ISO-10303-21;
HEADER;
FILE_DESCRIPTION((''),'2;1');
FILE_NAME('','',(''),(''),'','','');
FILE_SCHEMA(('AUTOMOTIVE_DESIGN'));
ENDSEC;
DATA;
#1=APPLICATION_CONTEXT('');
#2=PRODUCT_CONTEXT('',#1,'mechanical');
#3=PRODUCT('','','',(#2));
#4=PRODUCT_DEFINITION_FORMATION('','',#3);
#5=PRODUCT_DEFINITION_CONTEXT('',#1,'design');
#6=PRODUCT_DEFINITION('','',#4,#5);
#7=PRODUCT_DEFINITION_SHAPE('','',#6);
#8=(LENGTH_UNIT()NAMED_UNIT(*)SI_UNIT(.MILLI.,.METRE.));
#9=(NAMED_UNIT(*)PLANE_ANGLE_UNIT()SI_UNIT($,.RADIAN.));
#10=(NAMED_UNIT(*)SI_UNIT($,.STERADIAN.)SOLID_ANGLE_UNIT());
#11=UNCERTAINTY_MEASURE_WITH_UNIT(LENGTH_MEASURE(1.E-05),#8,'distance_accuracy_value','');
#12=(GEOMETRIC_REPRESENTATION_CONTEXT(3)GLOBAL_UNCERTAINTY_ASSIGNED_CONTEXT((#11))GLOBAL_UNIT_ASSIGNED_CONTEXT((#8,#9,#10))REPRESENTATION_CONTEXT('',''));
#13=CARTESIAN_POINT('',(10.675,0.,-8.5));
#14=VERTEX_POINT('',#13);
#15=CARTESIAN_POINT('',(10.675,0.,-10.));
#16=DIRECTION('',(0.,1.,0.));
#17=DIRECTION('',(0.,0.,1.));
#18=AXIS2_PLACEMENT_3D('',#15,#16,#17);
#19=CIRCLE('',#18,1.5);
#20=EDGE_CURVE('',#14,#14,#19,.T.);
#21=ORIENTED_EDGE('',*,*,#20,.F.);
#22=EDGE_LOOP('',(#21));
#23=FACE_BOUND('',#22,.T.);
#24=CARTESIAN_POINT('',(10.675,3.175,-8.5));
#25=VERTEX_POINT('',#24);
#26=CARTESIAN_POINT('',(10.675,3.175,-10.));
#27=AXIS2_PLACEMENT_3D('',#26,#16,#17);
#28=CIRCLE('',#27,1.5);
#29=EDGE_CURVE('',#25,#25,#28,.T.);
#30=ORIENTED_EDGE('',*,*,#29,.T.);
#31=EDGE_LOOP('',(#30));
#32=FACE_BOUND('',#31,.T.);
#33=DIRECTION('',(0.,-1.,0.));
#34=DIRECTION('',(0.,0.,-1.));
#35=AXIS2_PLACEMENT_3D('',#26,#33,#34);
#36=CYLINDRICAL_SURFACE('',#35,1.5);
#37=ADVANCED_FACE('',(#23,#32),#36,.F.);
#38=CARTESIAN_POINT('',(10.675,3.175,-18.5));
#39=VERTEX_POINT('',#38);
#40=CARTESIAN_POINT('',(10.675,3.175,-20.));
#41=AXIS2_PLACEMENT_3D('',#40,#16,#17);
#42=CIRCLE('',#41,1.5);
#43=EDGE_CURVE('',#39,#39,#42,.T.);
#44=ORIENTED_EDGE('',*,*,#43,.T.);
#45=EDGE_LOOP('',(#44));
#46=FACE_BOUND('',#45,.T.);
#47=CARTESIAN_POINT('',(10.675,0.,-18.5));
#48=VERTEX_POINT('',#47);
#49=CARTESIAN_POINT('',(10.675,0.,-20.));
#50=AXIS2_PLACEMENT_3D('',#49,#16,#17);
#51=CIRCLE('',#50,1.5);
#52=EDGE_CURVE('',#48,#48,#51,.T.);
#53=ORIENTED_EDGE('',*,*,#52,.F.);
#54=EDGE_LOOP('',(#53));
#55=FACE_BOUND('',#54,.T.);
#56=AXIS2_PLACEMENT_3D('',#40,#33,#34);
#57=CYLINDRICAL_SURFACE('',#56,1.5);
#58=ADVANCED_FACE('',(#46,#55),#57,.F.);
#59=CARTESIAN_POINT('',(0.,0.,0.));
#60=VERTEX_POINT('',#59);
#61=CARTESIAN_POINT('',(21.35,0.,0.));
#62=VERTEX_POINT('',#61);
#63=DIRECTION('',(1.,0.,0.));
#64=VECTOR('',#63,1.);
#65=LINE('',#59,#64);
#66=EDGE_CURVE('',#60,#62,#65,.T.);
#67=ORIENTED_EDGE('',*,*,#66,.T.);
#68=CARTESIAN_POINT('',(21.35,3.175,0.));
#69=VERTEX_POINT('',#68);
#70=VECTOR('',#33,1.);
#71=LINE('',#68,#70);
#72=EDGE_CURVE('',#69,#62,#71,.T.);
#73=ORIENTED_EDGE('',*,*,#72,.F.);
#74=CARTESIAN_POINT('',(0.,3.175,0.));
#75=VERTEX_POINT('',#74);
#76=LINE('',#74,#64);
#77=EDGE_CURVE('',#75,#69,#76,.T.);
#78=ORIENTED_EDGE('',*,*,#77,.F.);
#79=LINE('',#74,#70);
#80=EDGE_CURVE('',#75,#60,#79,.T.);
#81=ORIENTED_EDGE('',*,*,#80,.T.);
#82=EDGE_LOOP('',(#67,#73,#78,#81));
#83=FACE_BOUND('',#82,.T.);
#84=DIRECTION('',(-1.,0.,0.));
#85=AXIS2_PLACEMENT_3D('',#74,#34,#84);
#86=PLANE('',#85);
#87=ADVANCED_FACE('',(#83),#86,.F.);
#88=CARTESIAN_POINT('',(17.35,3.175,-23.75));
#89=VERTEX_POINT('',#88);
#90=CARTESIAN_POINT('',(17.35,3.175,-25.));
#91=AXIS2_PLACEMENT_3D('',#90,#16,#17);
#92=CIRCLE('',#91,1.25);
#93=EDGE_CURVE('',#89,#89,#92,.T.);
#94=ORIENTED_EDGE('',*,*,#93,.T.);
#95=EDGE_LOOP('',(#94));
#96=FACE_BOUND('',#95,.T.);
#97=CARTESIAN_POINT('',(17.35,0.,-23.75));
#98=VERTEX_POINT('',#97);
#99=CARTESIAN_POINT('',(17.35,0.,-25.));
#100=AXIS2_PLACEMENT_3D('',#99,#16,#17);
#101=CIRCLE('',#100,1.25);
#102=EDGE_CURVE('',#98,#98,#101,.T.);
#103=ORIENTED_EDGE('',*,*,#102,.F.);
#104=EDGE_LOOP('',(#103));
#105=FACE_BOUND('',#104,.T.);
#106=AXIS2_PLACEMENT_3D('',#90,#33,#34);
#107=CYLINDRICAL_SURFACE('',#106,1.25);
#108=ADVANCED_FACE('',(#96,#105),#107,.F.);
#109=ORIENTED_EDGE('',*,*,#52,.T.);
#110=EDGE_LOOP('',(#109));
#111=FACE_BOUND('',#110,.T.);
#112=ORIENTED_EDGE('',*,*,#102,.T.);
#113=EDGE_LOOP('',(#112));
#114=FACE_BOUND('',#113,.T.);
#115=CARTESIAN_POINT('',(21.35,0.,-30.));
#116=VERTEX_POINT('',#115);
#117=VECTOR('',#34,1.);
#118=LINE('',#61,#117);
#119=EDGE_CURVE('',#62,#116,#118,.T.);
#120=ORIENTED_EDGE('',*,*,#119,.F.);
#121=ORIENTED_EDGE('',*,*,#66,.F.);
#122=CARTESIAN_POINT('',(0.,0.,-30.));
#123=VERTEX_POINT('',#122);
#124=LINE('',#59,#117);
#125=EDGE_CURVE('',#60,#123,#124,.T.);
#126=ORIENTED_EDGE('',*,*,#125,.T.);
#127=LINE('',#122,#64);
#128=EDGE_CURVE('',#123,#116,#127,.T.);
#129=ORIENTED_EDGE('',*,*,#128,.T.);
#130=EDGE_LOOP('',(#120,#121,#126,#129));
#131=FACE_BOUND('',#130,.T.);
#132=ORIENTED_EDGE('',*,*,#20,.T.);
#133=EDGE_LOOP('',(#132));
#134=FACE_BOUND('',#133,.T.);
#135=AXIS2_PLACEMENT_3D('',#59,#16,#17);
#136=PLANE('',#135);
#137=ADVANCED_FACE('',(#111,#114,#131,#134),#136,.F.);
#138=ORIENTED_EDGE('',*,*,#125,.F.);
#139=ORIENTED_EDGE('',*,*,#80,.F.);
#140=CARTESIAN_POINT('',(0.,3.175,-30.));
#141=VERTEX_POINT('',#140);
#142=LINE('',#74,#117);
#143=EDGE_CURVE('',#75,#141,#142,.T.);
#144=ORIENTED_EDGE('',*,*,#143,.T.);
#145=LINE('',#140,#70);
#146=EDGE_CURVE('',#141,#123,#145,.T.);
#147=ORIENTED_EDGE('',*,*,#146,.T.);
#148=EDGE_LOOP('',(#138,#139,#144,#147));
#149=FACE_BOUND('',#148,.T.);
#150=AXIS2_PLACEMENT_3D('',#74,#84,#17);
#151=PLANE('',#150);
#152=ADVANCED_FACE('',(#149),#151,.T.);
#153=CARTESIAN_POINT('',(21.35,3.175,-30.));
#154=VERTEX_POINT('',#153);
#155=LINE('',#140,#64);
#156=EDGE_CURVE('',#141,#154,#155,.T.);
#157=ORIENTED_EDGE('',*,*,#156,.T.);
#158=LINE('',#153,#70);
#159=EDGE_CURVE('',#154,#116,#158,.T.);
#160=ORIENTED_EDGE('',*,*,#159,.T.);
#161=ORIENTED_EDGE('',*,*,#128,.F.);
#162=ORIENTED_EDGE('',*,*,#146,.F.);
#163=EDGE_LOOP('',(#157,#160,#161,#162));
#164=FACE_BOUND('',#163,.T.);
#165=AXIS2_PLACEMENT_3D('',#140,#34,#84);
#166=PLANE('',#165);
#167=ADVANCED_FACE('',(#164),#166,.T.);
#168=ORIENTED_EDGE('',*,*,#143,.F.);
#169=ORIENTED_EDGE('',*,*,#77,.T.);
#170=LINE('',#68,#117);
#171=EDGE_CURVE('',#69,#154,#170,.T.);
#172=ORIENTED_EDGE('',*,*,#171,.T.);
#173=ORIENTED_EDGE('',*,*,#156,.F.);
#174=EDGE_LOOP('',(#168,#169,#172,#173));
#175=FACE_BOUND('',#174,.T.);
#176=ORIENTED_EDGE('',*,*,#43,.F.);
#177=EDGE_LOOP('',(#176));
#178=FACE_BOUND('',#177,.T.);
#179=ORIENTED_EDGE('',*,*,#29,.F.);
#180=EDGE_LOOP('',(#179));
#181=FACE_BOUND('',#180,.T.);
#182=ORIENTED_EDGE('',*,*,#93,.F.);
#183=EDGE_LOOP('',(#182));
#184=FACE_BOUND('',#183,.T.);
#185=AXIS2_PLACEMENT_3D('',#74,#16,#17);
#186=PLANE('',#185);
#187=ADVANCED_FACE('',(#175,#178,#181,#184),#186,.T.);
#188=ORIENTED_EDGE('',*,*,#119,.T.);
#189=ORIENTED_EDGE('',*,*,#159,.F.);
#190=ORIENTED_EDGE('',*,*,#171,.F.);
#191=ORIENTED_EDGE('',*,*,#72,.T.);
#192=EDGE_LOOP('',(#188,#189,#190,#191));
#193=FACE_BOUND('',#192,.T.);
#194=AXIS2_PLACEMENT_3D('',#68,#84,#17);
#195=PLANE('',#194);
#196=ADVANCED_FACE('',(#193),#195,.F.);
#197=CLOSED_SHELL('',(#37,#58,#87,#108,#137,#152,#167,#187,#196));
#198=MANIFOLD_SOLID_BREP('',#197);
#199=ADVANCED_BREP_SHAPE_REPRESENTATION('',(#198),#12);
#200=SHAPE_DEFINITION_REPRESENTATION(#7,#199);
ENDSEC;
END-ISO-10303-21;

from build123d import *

# Parameters (mm, degrees)
SKETCH1_R           = 1.25
BOSS_EXTRUDE1_DEPTH = 3.175


with BuildPart() as part:
    # Sketch1 → Boss-Extrude1 (new body)
    with BuildSketch(Plane(origin=(0, 0, 0), x_dir=(1, 0, 0), z_dir=(0, 1, 0))):
        Polygon((0, 0), (10.675, 0), (21.35, 0), (21.35, 20), (21.35, 30), (0, 30), align=None)
        with BuildLine():
            ThreePointArc((12.175, 10), (11.735660172, 8.939339828), (10.675, 8.5))
            ThreePointArc((10.675, 8.5), (9.175, 10), (10.675, 11.5))
            ThreePointArc((10.675, 11.5), (11.735660172, 11.060660172), (12.175, 10))
        make_face(mode=Mode.SUBTRACT)
        with BuildLine():
            ThreePointArc((12.175, 20), (11.735660172, 18.939339828), (10.675, 18.5))
            ThreePointArc((10.675, 18.5), (9.614339828, 21.060660172), (12.175, 20))
        make_face(mode=Mode.SUBTRACT)
        with Locations((17.35, 25)):
            Circle(SKETCH1_R, mode=Mode.SUBTRACT)
    extrude(amount=BOSS_EXTRUDE1_DEPTH)


solid = part.part
